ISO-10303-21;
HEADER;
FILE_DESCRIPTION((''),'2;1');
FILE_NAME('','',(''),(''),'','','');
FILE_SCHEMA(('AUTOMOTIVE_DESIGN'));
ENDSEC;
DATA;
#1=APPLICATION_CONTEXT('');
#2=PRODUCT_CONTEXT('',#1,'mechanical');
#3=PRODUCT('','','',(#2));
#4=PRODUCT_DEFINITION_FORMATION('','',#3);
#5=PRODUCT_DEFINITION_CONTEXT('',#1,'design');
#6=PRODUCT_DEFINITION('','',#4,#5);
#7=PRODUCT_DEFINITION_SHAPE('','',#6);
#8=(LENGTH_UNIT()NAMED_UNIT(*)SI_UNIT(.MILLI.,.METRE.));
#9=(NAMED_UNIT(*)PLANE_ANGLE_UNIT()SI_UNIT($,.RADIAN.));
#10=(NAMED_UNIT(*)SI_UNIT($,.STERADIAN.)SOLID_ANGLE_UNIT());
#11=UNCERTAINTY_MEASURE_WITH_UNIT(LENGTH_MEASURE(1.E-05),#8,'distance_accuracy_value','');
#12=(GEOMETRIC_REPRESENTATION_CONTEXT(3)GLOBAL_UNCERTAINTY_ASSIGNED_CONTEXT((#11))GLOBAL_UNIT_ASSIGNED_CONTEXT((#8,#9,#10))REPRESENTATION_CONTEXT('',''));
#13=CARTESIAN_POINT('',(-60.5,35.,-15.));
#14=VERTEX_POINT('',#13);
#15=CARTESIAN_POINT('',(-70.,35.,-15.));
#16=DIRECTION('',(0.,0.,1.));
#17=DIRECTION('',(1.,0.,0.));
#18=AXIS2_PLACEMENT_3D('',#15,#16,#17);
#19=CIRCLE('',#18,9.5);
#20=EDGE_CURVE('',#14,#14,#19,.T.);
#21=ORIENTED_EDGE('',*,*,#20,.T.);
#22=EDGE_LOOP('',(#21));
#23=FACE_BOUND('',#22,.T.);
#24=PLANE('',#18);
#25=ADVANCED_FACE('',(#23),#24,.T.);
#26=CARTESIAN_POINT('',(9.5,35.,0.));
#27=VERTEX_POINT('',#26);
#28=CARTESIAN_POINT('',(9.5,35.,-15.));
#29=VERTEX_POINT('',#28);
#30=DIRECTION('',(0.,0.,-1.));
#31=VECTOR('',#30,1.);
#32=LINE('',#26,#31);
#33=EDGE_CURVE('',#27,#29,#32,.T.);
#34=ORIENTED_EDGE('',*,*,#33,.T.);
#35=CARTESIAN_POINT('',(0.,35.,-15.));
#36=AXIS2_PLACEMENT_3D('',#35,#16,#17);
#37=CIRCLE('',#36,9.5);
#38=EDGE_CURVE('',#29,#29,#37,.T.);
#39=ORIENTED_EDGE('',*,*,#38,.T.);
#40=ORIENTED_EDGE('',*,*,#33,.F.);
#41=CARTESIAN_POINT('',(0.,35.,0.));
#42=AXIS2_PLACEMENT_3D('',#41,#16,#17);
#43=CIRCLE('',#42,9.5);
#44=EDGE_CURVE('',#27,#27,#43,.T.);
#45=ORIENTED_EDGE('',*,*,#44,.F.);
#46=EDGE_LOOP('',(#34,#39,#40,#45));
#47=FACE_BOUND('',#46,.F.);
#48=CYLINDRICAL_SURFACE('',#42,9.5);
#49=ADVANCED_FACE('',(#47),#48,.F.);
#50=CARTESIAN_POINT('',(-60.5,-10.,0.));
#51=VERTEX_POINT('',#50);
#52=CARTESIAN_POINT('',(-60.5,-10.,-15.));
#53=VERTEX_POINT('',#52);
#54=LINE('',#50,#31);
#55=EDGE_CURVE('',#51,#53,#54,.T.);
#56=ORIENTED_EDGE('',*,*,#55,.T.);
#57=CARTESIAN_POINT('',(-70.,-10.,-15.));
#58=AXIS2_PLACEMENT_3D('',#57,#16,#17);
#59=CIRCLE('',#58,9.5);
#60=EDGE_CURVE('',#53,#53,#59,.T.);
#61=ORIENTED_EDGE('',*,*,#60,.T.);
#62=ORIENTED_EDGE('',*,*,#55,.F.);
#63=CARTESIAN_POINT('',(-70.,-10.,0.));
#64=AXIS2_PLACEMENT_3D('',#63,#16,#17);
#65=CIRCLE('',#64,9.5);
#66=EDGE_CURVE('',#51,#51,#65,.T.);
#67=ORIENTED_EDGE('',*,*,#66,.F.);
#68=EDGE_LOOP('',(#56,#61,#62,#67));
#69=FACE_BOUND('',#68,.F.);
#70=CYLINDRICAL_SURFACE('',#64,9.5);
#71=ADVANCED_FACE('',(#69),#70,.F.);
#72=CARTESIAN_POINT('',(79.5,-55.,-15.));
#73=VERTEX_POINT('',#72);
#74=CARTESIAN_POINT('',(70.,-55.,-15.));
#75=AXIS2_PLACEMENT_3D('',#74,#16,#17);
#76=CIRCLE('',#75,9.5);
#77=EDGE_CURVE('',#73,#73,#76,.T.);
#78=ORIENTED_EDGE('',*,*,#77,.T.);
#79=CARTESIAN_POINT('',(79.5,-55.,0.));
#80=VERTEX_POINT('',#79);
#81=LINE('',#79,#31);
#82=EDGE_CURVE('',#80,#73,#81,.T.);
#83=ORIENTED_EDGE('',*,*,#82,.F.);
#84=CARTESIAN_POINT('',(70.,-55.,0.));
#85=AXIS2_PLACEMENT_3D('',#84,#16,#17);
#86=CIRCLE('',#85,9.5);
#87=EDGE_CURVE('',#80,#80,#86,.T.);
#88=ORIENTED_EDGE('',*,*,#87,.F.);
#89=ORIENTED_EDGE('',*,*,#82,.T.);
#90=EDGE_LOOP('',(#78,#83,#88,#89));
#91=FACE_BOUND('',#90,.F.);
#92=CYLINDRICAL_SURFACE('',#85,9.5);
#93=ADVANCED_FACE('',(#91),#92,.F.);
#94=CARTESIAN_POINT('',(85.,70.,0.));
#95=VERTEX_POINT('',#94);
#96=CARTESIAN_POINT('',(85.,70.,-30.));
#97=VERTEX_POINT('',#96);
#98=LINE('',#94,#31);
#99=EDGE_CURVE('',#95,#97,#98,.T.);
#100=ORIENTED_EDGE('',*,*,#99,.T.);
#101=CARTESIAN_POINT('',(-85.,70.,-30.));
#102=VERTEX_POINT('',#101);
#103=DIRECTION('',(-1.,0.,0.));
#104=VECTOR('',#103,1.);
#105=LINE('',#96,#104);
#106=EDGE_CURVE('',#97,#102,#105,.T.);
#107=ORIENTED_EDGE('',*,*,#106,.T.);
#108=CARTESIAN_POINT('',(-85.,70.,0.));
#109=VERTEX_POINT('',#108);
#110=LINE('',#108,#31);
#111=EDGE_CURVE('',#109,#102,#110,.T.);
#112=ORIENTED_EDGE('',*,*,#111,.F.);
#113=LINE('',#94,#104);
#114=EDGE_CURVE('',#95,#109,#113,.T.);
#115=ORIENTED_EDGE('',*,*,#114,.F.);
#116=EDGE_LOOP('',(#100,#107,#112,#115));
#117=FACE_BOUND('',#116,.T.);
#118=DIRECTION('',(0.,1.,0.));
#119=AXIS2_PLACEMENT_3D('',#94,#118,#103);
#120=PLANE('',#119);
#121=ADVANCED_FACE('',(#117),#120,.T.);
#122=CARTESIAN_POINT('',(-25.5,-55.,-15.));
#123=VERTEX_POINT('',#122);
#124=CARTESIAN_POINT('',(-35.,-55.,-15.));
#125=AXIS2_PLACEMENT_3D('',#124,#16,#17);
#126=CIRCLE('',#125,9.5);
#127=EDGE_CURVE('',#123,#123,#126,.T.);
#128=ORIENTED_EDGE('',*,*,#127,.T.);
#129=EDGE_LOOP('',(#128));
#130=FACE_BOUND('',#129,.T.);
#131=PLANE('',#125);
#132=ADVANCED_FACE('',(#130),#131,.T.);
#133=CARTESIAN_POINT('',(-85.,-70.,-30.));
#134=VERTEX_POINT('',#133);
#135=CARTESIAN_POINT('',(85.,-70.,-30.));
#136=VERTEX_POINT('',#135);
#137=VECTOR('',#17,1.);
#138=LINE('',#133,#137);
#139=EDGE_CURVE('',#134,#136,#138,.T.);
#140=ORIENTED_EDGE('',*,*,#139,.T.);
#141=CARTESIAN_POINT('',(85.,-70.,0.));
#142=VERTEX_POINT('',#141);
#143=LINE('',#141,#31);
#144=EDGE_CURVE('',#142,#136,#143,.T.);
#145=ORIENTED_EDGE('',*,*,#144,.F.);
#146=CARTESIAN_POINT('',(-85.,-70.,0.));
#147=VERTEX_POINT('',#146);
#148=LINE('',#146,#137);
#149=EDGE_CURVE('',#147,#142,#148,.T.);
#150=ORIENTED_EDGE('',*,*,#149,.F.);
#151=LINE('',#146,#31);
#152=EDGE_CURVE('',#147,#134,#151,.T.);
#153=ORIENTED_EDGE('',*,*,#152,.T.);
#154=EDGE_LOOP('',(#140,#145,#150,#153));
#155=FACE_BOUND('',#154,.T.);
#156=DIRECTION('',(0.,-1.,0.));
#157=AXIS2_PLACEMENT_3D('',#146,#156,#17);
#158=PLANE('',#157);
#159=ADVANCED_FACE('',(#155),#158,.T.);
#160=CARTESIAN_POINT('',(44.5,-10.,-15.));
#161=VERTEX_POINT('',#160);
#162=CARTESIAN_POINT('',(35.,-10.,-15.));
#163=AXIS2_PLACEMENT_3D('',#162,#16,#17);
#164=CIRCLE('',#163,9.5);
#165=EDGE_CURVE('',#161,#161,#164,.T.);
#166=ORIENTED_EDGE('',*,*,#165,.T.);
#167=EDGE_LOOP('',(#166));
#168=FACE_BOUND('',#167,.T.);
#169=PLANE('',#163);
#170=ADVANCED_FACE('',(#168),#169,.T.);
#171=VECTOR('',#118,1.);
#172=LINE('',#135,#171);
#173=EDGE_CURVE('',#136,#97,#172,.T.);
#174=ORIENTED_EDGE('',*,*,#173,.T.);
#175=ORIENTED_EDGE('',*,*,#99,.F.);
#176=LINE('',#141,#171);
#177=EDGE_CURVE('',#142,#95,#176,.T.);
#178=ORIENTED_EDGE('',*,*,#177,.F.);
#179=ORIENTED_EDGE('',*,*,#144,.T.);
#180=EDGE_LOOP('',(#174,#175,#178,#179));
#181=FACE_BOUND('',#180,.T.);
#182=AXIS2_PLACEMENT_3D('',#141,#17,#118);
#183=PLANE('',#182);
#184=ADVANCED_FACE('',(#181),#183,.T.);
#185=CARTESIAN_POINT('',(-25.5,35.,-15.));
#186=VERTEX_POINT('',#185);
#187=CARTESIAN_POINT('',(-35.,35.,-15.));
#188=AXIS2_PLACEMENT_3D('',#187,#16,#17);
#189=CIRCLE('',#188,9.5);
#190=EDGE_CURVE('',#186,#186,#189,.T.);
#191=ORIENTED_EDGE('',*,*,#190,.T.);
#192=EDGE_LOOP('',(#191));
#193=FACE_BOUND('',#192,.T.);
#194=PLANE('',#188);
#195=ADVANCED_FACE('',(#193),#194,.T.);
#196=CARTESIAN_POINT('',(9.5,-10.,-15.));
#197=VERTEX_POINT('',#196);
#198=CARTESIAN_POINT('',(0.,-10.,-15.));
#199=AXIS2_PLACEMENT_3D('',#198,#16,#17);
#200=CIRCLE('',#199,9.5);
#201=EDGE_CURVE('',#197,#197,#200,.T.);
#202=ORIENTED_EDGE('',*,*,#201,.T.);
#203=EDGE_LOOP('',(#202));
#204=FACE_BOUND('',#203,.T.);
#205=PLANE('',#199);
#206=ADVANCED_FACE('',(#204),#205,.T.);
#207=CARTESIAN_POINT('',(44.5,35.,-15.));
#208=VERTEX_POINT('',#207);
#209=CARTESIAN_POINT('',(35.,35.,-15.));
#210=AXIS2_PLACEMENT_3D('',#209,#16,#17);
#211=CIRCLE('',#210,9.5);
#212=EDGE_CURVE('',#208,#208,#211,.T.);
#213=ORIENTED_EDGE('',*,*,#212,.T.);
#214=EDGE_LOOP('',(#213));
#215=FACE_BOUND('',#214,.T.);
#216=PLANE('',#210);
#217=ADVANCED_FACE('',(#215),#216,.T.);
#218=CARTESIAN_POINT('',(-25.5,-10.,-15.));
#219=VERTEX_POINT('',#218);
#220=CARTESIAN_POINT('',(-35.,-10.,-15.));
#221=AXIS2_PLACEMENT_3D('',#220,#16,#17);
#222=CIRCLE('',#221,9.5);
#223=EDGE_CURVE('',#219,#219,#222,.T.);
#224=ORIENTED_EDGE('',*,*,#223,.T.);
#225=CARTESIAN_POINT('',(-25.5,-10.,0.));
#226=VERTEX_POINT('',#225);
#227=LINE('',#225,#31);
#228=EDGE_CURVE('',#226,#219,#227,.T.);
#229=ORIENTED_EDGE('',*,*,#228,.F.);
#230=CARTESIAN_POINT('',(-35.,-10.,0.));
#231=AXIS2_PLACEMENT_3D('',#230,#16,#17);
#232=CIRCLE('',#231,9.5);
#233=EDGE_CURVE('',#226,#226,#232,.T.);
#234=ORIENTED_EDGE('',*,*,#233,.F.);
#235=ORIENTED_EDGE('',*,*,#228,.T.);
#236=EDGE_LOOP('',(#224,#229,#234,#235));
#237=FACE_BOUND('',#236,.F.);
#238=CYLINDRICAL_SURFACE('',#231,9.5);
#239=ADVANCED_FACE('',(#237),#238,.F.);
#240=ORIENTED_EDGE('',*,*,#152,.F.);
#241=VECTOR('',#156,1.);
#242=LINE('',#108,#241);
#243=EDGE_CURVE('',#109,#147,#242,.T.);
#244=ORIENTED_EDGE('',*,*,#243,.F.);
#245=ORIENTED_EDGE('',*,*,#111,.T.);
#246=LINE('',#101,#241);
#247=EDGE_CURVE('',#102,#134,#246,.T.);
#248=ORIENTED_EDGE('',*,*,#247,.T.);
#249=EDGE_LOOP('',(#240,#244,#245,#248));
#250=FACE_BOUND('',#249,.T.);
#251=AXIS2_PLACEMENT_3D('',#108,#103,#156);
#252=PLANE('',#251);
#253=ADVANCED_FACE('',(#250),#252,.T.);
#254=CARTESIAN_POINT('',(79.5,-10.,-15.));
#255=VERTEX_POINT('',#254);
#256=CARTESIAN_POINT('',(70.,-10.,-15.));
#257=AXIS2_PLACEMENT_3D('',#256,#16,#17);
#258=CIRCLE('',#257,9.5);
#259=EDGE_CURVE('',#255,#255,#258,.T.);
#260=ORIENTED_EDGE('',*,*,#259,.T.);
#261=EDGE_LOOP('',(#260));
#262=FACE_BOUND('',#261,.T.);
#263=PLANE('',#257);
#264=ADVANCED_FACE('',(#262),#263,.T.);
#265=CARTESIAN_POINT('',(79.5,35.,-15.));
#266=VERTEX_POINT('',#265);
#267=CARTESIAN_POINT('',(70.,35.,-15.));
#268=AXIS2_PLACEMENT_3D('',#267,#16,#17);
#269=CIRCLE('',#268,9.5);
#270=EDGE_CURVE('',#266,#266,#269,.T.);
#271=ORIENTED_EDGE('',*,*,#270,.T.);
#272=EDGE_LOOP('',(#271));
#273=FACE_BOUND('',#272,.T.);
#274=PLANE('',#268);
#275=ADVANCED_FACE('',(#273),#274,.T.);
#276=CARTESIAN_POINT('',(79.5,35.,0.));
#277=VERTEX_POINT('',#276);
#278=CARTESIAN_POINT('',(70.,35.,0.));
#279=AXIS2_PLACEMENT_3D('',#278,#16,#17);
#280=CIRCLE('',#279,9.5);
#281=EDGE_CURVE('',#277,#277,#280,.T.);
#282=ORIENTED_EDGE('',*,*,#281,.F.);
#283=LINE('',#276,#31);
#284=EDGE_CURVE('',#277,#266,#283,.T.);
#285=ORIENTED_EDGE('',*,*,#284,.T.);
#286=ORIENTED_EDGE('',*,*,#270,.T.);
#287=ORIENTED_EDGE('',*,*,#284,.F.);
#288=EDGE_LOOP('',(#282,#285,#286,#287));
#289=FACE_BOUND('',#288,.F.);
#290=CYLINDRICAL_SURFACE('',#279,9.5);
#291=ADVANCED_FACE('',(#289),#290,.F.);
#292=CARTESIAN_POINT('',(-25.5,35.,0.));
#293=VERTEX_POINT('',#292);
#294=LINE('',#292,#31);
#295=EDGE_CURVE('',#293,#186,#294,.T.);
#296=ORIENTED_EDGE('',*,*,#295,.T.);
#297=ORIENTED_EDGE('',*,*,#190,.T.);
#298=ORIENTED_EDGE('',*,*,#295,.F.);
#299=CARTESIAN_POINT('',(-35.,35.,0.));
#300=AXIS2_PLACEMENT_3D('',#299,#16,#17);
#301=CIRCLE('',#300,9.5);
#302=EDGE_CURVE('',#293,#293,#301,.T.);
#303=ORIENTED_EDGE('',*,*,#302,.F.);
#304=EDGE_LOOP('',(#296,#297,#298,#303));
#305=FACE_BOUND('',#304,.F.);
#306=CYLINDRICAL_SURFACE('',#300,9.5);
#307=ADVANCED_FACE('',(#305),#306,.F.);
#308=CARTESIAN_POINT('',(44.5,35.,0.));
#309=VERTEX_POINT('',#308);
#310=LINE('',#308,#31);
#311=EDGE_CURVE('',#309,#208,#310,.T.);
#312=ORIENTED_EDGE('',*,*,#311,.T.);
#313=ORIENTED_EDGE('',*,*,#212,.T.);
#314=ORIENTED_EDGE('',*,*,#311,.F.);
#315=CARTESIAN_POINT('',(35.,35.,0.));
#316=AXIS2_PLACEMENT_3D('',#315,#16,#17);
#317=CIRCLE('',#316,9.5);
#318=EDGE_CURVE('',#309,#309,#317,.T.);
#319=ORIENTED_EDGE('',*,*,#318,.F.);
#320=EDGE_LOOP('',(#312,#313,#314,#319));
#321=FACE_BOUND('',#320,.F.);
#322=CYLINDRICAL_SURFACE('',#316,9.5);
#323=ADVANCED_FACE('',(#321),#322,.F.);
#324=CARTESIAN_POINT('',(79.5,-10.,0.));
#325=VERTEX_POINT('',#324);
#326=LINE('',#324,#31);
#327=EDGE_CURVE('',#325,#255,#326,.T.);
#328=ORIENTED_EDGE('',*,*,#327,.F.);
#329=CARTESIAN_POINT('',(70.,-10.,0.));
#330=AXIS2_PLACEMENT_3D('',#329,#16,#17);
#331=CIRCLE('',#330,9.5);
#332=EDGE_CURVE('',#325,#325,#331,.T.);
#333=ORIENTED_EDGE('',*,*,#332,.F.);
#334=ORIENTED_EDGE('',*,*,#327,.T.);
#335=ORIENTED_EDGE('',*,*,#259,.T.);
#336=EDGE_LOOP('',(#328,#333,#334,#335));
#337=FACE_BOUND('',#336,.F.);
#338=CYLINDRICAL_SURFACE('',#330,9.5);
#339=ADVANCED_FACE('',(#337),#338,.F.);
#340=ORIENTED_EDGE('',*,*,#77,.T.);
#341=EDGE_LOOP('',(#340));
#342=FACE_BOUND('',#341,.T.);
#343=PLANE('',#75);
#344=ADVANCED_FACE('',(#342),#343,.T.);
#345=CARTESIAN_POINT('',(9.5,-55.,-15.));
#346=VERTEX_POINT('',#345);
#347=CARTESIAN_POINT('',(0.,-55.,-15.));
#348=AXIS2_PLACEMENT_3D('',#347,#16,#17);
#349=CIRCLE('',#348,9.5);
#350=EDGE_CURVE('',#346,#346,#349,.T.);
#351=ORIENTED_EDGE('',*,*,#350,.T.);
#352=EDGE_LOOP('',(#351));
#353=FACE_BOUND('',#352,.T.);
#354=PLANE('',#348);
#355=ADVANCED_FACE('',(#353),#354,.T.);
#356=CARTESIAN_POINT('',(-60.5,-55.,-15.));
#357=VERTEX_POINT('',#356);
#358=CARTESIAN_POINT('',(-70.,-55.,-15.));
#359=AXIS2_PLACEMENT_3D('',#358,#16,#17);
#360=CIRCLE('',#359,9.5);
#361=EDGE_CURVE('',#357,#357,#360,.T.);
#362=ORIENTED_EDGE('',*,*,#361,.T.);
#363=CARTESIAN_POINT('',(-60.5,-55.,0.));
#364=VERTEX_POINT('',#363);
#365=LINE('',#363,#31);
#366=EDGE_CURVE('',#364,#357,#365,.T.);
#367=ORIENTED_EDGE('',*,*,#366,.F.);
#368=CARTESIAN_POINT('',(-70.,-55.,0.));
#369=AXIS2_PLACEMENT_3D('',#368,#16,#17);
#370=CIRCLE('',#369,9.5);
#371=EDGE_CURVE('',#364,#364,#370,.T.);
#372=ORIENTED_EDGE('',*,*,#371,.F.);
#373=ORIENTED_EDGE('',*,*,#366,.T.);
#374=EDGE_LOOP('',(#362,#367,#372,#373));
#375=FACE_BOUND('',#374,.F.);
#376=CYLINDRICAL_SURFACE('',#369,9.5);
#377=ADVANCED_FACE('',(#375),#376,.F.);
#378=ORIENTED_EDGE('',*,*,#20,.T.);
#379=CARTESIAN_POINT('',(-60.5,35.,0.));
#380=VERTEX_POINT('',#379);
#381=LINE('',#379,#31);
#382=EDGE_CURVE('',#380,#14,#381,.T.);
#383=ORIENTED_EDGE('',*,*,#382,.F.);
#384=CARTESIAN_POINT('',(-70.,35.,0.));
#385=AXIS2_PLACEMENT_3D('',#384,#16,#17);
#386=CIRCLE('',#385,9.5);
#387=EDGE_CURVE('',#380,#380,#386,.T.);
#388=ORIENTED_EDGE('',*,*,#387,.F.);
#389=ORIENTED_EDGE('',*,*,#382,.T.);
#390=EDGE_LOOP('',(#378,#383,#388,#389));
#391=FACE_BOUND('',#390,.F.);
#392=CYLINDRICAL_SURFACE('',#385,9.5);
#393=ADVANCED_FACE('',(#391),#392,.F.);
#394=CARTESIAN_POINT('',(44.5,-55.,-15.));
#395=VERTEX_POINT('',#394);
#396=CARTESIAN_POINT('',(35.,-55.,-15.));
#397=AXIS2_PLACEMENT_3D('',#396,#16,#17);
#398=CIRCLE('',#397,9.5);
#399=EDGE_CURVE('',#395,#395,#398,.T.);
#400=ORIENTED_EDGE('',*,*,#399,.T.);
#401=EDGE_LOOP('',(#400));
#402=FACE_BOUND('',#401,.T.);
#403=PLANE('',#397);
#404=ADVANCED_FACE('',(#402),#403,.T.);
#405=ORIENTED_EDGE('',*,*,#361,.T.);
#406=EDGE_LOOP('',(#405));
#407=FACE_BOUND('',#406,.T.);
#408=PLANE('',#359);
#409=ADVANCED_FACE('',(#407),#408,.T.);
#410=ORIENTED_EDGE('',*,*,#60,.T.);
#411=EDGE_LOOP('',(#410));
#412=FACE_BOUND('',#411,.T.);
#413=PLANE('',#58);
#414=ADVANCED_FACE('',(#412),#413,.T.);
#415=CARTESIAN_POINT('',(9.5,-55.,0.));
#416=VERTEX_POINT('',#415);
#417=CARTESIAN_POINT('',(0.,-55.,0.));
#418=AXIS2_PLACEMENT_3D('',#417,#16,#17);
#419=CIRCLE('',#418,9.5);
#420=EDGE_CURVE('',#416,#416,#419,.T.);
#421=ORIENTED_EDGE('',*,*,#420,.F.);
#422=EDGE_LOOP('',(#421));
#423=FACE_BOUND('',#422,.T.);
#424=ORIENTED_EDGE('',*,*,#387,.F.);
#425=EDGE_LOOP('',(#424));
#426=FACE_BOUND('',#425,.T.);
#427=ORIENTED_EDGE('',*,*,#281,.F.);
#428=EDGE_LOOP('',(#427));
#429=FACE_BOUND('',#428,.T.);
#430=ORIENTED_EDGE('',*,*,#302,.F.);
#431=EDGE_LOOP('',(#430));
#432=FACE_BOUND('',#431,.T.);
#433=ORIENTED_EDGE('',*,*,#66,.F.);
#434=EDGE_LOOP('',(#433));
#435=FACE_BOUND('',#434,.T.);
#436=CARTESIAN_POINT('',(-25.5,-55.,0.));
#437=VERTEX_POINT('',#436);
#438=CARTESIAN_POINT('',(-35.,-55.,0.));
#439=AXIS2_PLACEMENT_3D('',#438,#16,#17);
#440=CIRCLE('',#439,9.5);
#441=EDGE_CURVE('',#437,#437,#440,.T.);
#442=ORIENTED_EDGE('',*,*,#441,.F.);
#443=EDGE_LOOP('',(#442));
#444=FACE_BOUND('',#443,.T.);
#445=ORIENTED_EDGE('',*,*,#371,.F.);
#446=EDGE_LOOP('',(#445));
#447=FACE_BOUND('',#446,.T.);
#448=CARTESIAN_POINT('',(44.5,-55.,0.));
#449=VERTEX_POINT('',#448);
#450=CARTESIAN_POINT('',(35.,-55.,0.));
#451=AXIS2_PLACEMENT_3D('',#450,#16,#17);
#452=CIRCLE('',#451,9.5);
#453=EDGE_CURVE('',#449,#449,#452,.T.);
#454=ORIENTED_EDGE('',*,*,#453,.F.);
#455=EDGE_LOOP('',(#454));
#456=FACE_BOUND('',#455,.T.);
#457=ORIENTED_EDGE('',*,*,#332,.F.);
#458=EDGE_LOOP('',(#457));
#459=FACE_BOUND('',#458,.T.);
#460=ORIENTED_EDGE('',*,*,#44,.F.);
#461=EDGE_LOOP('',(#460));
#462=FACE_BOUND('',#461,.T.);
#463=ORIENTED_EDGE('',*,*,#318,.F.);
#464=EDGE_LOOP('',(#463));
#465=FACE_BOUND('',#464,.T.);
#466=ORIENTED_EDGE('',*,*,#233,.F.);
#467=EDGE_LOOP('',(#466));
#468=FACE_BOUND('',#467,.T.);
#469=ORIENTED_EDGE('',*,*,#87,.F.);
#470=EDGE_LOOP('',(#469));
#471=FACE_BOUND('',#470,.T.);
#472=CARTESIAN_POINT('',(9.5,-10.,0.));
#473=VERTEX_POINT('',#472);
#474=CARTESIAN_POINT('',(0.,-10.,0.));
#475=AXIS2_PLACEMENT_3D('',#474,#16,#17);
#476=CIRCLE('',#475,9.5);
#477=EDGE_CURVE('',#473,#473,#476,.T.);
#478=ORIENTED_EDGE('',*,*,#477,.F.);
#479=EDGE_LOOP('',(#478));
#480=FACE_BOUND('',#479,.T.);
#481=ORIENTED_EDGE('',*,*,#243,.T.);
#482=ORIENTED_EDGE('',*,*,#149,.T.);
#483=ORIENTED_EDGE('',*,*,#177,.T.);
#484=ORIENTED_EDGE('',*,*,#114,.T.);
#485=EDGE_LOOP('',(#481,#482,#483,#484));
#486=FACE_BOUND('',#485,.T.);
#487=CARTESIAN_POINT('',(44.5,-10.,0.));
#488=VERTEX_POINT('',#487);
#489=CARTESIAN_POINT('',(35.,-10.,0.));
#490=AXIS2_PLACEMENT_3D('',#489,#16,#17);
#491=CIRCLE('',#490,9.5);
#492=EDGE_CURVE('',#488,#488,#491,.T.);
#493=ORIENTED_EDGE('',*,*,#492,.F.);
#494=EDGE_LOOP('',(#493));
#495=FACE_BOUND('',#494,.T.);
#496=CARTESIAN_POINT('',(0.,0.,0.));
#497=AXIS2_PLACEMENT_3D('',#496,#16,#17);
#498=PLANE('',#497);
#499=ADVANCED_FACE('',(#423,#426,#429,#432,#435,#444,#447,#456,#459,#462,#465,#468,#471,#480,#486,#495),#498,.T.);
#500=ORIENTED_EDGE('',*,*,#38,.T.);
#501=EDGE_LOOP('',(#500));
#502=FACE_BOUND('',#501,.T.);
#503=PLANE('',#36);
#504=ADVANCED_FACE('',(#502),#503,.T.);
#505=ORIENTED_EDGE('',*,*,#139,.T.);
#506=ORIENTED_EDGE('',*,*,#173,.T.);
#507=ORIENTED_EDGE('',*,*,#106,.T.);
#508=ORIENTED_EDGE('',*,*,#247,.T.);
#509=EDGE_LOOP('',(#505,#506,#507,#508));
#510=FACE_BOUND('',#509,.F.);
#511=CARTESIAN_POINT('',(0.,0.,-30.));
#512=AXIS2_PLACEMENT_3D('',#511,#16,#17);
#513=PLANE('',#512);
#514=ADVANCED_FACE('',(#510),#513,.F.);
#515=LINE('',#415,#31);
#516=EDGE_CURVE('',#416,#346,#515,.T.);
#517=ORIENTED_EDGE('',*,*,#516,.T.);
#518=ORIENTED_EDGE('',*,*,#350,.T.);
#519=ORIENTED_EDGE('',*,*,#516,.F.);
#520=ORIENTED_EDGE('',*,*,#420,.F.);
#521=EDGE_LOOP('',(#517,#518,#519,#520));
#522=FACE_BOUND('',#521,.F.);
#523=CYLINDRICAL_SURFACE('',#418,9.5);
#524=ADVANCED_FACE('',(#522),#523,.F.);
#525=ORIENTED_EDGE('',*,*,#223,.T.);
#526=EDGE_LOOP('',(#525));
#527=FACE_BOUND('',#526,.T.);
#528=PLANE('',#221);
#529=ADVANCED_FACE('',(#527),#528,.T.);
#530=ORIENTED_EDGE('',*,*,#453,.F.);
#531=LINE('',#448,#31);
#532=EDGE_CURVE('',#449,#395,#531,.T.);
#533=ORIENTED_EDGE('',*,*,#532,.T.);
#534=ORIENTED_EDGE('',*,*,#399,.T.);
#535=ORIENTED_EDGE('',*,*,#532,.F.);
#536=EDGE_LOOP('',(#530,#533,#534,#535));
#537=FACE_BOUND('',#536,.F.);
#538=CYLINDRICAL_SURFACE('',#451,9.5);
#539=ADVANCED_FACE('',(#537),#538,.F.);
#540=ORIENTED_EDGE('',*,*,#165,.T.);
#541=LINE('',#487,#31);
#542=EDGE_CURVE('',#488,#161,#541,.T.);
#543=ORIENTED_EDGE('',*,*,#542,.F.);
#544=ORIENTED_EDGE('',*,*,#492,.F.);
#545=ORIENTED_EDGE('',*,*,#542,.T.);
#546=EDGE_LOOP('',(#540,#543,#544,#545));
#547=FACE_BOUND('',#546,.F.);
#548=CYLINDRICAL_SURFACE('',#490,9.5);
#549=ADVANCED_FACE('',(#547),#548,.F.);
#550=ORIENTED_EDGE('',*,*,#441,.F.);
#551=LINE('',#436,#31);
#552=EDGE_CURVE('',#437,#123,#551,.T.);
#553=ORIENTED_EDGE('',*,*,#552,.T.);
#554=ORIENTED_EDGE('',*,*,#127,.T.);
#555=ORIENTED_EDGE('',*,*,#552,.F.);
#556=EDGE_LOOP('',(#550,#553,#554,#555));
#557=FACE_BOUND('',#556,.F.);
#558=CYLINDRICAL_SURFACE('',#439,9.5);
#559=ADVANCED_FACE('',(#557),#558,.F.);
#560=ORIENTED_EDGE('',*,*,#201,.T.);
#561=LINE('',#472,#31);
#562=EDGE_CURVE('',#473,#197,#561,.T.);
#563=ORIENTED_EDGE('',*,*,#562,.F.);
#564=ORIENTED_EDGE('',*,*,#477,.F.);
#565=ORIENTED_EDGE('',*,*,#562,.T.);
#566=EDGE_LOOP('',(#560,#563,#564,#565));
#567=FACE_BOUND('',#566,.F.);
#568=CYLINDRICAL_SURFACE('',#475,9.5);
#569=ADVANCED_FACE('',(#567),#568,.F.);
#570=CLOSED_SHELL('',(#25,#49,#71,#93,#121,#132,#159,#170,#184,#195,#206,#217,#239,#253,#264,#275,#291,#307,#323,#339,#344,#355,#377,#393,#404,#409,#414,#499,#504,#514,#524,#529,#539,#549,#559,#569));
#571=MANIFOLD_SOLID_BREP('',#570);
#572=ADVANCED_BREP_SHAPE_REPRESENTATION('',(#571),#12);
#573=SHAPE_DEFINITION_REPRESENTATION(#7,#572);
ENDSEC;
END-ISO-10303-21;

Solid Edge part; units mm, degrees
sketch "Sketch1" plane through (0, 0, 0) normal (0, 0, 1) x (1, 0, 0)
  line L0 (-85, -70) -> (85, -70)
  line L1 (85, -70) -> (85, 70)
  line L2 (85, 70) -> (-85, 70)
  line L3 (-85, 70) -> (-85, -70)
extrude "Protrusion1" add sketch "Sketch1" against normal blind 30
sketch "Sketch2" plane through (0, 0, 0) normal (0, 0, 1) x (1, 0, 0)
  circle A0 centre (-70, -55) radius 9.5
  circle A1 centre (-35, -55) radius 9.5
  circle A2 centre (0, -55) radius 9.5
  circle A3 centre (35, -55) radius 9.5
  circle A4 centre (70, -55) radius 9.5
  circle A5 centre (70, -10) radius 9.5
  circle A6 centre (70, 35) radius 9.5
  circle A7 centre (35, -10) radius 9.5
  circle A8 centre (0, -10) radius 9.5
  circle A9 centre (-35, -10) radius 9.5
  circle A10 centre (-70, -10) radius 9.5
  circle A11 centre (35, 35) radius 9.5
  circle A12 centre (0, 35) radius 9.5
  circle A13 centre (-35, 35) radius 9.5
  circle A14 centre (-70, 35) radius 9.5
extrude "Recorte_Extrudado_1" cut sketch "Sketch2" against normal blind 15
